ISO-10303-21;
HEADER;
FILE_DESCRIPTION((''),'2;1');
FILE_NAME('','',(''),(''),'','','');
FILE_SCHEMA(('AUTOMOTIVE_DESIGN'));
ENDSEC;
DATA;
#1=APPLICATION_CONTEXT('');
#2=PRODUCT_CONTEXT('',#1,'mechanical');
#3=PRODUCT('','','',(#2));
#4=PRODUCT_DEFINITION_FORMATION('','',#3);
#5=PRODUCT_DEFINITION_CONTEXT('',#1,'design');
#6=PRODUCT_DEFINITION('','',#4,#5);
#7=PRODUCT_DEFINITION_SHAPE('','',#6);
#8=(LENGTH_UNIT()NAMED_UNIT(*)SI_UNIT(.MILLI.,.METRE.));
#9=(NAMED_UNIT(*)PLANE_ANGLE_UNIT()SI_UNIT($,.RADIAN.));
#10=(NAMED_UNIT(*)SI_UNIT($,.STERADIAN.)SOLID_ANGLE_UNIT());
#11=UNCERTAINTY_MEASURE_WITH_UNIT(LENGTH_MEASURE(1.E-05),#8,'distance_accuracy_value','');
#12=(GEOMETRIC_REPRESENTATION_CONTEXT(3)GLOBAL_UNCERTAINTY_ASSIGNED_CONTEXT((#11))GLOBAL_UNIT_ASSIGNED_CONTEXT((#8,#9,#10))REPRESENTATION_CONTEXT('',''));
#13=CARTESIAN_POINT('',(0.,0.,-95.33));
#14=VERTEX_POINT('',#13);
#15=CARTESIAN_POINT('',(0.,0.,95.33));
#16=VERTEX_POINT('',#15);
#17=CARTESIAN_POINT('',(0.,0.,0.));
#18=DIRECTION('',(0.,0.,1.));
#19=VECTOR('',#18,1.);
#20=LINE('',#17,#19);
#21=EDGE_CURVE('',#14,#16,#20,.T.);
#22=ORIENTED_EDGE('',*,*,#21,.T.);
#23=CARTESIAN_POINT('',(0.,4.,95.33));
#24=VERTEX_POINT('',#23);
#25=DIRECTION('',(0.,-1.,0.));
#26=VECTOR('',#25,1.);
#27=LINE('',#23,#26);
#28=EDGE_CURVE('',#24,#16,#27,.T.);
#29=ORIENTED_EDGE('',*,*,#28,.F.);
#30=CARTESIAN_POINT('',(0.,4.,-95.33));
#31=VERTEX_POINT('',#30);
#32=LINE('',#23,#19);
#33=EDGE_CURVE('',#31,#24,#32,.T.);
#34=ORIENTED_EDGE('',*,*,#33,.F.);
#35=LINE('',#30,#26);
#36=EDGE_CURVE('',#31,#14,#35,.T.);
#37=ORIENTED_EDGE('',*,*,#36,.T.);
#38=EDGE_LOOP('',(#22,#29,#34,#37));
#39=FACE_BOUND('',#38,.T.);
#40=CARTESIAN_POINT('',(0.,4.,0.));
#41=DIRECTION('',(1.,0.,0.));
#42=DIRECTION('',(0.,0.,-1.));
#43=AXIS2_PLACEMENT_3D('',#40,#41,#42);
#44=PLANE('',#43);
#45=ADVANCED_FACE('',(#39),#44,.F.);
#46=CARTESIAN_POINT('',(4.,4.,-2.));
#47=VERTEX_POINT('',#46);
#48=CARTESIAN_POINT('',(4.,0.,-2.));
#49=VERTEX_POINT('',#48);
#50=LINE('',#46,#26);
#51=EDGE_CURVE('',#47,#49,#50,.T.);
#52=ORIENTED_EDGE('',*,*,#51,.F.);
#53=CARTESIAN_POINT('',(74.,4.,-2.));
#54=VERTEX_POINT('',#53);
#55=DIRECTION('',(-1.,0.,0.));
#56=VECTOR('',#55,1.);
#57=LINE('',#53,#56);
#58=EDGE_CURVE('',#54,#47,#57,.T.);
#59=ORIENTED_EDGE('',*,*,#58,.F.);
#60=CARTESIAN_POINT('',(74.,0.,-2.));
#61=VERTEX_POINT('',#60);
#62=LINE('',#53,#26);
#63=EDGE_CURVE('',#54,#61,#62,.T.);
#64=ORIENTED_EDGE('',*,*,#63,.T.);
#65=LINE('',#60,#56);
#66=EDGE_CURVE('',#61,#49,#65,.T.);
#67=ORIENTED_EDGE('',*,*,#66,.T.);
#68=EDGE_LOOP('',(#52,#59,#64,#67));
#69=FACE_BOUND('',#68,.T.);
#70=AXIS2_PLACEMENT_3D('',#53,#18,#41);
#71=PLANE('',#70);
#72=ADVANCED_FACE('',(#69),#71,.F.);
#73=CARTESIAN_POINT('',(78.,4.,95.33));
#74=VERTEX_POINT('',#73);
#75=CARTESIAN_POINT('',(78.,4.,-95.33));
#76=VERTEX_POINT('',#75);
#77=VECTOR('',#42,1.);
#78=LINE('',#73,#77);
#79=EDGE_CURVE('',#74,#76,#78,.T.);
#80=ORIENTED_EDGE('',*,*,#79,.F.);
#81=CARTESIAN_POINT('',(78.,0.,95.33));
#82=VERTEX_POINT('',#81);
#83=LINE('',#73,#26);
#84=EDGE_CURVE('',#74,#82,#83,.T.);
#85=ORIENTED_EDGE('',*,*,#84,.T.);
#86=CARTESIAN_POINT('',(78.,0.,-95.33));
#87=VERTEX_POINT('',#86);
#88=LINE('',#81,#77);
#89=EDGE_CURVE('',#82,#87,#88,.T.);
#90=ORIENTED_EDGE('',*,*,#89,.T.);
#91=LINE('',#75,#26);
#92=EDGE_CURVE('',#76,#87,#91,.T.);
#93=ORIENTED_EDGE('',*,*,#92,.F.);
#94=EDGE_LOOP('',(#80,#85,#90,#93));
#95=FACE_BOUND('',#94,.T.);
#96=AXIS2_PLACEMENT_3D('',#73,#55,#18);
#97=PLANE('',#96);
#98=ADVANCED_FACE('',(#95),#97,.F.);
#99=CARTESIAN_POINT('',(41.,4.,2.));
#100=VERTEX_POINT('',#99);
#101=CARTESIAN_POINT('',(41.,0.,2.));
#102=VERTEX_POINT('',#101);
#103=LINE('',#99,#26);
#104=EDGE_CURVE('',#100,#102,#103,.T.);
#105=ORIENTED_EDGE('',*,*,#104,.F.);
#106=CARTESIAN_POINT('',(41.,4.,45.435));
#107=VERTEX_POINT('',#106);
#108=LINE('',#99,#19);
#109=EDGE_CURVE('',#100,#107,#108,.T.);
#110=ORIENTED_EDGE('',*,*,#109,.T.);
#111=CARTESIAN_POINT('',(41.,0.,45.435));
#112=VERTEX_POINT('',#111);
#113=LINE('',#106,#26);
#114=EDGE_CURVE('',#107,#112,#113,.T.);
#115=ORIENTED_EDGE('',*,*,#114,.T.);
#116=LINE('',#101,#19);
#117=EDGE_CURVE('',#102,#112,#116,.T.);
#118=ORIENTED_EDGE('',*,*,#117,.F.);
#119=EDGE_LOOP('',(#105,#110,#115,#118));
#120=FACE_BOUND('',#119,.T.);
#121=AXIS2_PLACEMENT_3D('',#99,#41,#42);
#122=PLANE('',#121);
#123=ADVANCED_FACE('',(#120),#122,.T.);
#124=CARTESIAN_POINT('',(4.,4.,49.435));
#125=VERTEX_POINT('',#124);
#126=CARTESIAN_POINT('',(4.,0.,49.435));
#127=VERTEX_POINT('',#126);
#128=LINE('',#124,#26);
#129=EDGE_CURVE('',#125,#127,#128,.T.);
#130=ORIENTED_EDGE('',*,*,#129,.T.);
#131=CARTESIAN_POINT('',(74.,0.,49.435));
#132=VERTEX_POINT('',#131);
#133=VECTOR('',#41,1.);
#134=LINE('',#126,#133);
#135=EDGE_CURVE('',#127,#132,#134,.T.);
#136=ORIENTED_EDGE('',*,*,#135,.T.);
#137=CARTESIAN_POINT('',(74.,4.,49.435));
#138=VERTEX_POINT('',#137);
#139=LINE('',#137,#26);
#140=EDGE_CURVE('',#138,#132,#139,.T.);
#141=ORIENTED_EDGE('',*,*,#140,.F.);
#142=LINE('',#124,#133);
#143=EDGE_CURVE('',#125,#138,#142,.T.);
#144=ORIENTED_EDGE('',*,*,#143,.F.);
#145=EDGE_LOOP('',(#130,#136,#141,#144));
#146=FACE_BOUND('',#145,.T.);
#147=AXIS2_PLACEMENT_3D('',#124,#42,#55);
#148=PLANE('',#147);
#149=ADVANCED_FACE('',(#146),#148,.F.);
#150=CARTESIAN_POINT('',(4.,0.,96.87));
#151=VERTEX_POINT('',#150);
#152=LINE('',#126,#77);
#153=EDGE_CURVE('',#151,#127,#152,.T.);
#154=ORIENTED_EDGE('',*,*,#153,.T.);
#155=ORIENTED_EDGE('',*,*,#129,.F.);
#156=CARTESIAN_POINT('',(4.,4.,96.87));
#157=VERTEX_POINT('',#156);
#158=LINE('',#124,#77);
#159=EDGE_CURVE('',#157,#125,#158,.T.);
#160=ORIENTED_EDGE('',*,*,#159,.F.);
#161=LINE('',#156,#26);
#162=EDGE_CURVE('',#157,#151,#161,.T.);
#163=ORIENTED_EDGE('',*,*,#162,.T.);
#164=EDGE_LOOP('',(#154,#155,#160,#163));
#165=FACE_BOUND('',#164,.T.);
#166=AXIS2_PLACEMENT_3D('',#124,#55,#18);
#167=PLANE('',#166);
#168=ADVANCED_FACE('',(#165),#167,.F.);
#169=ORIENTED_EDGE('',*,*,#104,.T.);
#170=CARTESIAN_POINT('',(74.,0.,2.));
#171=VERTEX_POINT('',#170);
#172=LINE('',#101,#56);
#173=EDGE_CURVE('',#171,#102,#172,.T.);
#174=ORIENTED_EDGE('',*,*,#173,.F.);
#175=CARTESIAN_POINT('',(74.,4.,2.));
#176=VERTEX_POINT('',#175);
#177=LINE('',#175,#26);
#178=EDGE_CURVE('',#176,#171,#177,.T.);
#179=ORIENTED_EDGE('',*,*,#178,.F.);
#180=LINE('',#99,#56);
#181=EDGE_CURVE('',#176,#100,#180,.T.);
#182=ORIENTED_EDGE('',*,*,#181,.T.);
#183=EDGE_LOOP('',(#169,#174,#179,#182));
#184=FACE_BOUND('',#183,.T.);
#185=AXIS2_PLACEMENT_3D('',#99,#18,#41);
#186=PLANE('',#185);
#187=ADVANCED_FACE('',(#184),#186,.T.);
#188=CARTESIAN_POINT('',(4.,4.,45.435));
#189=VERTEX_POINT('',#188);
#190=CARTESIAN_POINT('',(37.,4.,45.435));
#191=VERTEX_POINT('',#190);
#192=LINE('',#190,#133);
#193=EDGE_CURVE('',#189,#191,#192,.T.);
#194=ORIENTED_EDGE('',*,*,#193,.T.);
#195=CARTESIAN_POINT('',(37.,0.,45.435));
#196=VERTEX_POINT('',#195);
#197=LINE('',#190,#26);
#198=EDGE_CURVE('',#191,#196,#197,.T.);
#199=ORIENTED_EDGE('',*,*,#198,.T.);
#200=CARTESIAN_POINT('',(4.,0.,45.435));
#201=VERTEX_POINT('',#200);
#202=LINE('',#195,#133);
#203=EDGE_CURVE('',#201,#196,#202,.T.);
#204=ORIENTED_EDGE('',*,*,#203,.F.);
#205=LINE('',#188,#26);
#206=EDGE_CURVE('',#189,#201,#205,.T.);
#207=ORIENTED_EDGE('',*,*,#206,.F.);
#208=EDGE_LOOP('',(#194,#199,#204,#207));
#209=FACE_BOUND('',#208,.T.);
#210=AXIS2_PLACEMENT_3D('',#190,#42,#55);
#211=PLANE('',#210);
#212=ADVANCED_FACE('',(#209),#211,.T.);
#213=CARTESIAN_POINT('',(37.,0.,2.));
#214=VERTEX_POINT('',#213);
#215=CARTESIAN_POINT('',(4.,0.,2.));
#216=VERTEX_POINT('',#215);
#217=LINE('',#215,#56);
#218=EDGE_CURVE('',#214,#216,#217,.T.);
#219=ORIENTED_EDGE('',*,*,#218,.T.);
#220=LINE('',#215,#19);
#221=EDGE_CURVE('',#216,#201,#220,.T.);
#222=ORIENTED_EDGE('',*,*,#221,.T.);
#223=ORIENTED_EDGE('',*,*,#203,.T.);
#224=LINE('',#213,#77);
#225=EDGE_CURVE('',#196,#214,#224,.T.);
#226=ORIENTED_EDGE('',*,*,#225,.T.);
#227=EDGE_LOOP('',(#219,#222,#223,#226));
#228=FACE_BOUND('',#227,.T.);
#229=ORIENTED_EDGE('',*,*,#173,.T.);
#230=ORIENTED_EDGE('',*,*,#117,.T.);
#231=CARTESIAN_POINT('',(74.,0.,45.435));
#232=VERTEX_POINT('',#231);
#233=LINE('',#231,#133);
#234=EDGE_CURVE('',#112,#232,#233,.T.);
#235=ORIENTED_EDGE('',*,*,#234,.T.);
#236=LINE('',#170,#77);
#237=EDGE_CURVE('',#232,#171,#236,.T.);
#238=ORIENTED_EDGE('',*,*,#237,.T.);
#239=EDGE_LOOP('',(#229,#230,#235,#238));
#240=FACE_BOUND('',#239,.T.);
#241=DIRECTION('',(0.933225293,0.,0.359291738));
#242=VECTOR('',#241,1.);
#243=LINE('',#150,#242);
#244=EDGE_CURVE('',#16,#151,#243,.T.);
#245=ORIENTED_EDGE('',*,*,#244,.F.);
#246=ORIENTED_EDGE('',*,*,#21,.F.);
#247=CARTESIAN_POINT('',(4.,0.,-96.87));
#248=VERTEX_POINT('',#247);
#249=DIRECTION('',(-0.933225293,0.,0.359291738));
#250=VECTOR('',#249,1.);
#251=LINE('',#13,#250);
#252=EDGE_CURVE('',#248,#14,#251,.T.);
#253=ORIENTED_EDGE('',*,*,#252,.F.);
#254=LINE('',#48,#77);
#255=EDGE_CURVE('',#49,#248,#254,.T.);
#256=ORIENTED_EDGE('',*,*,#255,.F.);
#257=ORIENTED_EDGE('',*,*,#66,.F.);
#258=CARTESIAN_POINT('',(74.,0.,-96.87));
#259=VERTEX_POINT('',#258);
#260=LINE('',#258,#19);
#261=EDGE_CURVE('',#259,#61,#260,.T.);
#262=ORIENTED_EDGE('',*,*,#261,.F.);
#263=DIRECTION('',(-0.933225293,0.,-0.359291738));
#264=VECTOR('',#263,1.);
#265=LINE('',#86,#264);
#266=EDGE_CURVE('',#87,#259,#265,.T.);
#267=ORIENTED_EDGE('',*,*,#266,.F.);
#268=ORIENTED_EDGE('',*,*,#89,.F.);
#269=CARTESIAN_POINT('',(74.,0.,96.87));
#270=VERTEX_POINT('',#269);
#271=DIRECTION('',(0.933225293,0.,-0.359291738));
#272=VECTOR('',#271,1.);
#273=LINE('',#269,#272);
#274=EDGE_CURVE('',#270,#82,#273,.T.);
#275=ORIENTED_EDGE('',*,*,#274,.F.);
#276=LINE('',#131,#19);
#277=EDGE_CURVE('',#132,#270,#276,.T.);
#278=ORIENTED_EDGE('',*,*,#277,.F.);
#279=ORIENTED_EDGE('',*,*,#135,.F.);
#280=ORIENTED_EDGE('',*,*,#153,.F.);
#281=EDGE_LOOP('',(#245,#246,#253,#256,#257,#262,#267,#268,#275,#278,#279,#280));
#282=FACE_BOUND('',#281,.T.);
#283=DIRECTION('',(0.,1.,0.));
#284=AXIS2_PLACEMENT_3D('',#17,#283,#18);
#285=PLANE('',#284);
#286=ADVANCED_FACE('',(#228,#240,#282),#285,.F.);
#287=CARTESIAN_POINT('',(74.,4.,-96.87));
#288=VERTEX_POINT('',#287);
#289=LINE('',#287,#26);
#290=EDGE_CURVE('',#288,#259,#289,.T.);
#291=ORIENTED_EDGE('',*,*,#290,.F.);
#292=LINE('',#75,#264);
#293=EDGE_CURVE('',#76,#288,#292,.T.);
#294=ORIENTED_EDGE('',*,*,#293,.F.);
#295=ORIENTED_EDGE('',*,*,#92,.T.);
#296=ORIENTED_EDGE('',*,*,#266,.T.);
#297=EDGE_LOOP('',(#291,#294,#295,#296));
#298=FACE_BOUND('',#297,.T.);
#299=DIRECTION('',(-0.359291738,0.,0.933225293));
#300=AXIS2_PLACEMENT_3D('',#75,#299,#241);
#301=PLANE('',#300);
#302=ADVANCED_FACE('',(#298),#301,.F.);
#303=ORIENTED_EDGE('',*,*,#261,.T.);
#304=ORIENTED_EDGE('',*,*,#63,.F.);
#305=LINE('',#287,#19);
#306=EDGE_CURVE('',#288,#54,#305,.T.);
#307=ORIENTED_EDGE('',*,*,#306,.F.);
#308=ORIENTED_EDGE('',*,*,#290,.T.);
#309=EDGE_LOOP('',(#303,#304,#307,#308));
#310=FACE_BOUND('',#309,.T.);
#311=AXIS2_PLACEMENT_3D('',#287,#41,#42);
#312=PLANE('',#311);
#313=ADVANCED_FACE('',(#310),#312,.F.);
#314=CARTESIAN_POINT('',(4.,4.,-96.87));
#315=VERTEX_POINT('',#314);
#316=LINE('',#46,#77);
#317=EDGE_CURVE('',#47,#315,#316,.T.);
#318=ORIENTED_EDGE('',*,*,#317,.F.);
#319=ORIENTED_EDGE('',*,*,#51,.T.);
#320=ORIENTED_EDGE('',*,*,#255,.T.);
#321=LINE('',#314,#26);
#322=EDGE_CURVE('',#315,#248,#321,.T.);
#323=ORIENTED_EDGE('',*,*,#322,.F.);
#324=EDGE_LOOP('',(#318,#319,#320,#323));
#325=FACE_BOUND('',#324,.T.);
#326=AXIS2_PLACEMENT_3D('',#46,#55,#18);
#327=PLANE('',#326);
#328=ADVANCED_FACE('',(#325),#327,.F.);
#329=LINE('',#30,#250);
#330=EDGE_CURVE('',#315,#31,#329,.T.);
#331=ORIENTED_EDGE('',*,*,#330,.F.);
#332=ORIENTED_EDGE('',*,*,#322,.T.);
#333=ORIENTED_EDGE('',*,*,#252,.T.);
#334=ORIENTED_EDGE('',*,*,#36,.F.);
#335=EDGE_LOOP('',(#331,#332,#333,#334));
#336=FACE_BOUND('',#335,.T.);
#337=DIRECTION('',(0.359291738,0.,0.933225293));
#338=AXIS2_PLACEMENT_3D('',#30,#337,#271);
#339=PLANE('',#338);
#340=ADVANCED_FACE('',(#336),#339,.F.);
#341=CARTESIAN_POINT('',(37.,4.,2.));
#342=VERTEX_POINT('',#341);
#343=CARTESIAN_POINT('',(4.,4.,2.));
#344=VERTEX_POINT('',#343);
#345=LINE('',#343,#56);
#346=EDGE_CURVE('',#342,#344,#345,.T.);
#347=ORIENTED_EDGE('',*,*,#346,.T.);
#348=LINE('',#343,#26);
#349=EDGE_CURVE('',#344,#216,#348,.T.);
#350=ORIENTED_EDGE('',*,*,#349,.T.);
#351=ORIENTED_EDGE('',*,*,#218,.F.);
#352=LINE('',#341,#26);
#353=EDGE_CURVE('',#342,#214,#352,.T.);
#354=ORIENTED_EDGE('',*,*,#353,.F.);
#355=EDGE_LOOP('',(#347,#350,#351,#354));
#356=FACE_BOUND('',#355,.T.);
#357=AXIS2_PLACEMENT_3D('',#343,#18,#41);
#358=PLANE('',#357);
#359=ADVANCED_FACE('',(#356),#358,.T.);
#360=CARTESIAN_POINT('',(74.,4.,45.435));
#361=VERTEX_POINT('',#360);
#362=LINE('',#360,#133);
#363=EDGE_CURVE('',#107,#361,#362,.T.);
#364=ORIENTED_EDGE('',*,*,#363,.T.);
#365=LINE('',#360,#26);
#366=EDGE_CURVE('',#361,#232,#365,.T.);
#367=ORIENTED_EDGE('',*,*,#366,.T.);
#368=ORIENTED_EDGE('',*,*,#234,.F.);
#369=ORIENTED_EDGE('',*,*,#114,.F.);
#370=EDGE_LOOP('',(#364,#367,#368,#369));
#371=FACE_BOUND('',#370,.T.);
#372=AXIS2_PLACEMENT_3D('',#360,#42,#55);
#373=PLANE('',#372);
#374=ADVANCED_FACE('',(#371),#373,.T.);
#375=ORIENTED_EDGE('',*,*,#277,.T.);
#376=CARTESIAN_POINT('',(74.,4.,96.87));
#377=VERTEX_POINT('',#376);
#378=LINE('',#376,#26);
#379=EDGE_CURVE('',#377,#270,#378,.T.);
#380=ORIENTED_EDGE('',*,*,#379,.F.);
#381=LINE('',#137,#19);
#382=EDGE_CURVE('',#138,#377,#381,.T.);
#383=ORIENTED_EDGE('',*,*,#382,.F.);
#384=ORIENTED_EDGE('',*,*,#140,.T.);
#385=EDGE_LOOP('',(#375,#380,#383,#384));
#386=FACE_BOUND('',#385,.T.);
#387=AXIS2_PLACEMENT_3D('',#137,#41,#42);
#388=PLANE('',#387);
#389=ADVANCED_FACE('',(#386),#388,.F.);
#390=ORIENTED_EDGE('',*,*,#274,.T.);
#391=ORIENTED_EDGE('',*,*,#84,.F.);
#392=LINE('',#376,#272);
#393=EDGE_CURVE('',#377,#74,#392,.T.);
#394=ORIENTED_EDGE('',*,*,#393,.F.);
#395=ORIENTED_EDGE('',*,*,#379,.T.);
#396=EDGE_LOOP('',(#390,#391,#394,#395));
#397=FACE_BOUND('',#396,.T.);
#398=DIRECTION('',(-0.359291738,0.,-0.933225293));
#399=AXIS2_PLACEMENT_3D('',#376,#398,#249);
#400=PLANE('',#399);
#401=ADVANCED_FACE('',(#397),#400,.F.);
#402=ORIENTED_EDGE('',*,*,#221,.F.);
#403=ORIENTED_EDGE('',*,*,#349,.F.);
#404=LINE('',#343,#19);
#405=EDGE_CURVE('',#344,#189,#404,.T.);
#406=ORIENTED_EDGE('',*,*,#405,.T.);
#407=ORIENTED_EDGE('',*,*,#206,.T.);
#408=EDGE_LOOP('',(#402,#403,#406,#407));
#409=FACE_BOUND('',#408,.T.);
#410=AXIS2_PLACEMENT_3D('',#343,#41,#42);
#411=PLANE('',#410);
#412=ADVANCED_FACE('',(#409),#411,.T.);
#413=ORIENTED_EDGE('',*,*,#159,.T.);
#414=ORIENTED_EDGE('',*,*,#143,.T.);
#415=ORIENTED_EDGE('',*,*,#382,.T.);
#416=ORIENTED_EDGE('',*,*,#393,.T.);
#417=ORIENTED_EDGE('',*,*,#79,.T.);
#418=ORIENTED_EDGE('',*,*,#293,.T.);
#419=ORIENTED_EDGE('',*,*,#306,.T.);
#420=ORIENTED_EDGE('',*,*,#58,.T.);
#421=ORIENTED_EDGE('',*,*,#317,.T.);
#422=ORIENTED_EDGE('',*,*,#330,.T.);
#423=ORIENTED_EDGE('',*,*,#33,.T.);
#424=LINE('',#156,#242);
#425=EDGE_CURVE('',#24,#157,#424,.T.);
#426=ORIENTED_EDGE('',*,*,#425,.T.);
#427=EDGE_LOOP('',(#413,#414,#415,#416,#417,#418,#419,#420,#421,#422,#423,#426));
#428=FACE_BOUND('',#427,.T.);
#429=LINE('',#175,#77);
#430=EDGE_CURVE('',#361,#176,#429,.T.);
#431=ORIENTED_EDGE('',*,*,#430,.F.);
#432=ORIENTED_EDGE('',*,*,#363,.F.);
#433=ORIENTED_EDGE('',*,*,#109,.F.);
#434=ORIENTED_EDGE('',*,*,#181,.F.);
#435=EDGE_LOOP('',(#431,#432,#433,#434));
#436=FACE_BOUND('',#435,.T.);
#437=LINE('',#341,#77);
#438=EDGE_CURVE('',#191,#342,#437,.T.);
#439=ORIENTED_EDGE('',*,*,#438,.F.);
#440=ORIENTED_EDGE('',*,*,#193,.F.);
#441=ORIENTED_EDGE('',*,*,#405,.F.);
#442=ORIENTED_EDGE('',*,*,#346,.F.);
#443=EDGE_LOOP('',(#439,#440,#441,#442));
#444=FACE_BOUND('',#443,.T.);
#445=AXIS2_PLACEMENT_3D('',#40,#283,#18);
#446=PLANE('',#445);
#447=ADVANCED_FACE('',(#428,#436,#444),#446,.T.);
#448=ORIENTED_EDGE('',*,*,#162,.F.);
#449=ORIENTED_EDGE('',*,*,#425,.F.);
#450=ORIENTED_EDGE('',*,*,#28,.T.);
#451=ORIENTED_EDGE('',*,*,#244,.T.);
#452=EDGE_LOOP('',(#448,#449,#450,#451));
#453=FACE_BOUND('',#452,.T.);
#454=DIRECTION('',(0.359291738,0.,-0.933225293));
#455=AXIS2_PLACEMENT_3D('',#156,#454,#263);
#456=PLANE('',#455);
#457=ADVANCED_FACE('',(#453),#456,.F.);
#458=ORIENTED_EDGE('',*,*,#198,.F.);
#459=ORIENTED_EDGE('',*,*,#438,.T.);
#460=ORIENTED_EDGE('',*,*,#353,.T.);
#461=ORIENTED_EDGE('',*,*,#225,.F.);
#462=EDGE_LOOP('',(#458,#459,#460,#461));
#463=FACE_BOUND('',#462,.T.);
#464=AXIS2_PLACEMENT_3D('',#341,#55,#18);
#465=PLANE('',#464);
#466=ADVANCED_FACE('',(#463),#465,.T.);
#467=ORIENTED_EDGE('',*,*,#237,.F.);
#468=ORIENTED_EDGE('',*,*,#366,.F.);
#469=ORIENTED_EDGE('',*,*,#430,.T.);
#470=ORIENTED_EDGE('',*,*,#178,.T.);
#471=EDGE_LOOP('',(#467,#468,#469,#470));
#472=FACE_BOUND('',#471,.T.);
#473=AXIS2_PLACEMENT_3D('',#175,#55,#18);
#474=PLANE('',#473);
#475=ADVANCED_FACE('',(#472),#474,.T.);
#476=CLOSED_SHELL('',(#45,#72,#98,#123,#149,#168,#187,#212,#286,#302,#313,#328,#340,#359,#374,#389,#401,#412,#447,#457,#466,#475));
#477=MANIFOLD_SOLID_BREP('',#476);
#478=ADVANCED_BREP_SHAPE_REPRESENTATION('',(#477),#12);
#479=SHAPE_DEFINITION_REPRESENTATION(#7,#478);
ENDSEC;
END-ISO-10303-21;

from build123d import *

# Parameters (mm, degrees)
SKETCH_1_W      = 33
SKETCH_1_H      = 43.435
EXTRUDE_1_DEPTH = 4


with BuildPart() as part:
    # 草图1 → 凸台-拉伸1 (new body)
    with BuildSketch(Plane(origin=(0, 0, 0), x_dir=(1, 0, 0), z_dir=(0, 1, 0))):
        Polygon((0, 0), (0, 95.33), (4, 96.87), (4, 2), (74, 2), (74, 96.87), (78, 95.33), (78, -95.33), (74, -96.87), (74, -49.435), (4, -49.435), (4, -96.87), (0, -95.33), align=None)
        with Locations((20.5, -23.7175)):
            Rectangle(SKETCH_1_W, SKETCH_1_H, mode=Mode.SUBTRACT)
        with Locations((57.5, -23.7175)):
            Rectangle(SKETCH_1_W, SKETCH_1_H, mode=Mode.SUBTRACT)
    extrude(amount=EXTRUDE_1_DEPTH)


solid = part.part
